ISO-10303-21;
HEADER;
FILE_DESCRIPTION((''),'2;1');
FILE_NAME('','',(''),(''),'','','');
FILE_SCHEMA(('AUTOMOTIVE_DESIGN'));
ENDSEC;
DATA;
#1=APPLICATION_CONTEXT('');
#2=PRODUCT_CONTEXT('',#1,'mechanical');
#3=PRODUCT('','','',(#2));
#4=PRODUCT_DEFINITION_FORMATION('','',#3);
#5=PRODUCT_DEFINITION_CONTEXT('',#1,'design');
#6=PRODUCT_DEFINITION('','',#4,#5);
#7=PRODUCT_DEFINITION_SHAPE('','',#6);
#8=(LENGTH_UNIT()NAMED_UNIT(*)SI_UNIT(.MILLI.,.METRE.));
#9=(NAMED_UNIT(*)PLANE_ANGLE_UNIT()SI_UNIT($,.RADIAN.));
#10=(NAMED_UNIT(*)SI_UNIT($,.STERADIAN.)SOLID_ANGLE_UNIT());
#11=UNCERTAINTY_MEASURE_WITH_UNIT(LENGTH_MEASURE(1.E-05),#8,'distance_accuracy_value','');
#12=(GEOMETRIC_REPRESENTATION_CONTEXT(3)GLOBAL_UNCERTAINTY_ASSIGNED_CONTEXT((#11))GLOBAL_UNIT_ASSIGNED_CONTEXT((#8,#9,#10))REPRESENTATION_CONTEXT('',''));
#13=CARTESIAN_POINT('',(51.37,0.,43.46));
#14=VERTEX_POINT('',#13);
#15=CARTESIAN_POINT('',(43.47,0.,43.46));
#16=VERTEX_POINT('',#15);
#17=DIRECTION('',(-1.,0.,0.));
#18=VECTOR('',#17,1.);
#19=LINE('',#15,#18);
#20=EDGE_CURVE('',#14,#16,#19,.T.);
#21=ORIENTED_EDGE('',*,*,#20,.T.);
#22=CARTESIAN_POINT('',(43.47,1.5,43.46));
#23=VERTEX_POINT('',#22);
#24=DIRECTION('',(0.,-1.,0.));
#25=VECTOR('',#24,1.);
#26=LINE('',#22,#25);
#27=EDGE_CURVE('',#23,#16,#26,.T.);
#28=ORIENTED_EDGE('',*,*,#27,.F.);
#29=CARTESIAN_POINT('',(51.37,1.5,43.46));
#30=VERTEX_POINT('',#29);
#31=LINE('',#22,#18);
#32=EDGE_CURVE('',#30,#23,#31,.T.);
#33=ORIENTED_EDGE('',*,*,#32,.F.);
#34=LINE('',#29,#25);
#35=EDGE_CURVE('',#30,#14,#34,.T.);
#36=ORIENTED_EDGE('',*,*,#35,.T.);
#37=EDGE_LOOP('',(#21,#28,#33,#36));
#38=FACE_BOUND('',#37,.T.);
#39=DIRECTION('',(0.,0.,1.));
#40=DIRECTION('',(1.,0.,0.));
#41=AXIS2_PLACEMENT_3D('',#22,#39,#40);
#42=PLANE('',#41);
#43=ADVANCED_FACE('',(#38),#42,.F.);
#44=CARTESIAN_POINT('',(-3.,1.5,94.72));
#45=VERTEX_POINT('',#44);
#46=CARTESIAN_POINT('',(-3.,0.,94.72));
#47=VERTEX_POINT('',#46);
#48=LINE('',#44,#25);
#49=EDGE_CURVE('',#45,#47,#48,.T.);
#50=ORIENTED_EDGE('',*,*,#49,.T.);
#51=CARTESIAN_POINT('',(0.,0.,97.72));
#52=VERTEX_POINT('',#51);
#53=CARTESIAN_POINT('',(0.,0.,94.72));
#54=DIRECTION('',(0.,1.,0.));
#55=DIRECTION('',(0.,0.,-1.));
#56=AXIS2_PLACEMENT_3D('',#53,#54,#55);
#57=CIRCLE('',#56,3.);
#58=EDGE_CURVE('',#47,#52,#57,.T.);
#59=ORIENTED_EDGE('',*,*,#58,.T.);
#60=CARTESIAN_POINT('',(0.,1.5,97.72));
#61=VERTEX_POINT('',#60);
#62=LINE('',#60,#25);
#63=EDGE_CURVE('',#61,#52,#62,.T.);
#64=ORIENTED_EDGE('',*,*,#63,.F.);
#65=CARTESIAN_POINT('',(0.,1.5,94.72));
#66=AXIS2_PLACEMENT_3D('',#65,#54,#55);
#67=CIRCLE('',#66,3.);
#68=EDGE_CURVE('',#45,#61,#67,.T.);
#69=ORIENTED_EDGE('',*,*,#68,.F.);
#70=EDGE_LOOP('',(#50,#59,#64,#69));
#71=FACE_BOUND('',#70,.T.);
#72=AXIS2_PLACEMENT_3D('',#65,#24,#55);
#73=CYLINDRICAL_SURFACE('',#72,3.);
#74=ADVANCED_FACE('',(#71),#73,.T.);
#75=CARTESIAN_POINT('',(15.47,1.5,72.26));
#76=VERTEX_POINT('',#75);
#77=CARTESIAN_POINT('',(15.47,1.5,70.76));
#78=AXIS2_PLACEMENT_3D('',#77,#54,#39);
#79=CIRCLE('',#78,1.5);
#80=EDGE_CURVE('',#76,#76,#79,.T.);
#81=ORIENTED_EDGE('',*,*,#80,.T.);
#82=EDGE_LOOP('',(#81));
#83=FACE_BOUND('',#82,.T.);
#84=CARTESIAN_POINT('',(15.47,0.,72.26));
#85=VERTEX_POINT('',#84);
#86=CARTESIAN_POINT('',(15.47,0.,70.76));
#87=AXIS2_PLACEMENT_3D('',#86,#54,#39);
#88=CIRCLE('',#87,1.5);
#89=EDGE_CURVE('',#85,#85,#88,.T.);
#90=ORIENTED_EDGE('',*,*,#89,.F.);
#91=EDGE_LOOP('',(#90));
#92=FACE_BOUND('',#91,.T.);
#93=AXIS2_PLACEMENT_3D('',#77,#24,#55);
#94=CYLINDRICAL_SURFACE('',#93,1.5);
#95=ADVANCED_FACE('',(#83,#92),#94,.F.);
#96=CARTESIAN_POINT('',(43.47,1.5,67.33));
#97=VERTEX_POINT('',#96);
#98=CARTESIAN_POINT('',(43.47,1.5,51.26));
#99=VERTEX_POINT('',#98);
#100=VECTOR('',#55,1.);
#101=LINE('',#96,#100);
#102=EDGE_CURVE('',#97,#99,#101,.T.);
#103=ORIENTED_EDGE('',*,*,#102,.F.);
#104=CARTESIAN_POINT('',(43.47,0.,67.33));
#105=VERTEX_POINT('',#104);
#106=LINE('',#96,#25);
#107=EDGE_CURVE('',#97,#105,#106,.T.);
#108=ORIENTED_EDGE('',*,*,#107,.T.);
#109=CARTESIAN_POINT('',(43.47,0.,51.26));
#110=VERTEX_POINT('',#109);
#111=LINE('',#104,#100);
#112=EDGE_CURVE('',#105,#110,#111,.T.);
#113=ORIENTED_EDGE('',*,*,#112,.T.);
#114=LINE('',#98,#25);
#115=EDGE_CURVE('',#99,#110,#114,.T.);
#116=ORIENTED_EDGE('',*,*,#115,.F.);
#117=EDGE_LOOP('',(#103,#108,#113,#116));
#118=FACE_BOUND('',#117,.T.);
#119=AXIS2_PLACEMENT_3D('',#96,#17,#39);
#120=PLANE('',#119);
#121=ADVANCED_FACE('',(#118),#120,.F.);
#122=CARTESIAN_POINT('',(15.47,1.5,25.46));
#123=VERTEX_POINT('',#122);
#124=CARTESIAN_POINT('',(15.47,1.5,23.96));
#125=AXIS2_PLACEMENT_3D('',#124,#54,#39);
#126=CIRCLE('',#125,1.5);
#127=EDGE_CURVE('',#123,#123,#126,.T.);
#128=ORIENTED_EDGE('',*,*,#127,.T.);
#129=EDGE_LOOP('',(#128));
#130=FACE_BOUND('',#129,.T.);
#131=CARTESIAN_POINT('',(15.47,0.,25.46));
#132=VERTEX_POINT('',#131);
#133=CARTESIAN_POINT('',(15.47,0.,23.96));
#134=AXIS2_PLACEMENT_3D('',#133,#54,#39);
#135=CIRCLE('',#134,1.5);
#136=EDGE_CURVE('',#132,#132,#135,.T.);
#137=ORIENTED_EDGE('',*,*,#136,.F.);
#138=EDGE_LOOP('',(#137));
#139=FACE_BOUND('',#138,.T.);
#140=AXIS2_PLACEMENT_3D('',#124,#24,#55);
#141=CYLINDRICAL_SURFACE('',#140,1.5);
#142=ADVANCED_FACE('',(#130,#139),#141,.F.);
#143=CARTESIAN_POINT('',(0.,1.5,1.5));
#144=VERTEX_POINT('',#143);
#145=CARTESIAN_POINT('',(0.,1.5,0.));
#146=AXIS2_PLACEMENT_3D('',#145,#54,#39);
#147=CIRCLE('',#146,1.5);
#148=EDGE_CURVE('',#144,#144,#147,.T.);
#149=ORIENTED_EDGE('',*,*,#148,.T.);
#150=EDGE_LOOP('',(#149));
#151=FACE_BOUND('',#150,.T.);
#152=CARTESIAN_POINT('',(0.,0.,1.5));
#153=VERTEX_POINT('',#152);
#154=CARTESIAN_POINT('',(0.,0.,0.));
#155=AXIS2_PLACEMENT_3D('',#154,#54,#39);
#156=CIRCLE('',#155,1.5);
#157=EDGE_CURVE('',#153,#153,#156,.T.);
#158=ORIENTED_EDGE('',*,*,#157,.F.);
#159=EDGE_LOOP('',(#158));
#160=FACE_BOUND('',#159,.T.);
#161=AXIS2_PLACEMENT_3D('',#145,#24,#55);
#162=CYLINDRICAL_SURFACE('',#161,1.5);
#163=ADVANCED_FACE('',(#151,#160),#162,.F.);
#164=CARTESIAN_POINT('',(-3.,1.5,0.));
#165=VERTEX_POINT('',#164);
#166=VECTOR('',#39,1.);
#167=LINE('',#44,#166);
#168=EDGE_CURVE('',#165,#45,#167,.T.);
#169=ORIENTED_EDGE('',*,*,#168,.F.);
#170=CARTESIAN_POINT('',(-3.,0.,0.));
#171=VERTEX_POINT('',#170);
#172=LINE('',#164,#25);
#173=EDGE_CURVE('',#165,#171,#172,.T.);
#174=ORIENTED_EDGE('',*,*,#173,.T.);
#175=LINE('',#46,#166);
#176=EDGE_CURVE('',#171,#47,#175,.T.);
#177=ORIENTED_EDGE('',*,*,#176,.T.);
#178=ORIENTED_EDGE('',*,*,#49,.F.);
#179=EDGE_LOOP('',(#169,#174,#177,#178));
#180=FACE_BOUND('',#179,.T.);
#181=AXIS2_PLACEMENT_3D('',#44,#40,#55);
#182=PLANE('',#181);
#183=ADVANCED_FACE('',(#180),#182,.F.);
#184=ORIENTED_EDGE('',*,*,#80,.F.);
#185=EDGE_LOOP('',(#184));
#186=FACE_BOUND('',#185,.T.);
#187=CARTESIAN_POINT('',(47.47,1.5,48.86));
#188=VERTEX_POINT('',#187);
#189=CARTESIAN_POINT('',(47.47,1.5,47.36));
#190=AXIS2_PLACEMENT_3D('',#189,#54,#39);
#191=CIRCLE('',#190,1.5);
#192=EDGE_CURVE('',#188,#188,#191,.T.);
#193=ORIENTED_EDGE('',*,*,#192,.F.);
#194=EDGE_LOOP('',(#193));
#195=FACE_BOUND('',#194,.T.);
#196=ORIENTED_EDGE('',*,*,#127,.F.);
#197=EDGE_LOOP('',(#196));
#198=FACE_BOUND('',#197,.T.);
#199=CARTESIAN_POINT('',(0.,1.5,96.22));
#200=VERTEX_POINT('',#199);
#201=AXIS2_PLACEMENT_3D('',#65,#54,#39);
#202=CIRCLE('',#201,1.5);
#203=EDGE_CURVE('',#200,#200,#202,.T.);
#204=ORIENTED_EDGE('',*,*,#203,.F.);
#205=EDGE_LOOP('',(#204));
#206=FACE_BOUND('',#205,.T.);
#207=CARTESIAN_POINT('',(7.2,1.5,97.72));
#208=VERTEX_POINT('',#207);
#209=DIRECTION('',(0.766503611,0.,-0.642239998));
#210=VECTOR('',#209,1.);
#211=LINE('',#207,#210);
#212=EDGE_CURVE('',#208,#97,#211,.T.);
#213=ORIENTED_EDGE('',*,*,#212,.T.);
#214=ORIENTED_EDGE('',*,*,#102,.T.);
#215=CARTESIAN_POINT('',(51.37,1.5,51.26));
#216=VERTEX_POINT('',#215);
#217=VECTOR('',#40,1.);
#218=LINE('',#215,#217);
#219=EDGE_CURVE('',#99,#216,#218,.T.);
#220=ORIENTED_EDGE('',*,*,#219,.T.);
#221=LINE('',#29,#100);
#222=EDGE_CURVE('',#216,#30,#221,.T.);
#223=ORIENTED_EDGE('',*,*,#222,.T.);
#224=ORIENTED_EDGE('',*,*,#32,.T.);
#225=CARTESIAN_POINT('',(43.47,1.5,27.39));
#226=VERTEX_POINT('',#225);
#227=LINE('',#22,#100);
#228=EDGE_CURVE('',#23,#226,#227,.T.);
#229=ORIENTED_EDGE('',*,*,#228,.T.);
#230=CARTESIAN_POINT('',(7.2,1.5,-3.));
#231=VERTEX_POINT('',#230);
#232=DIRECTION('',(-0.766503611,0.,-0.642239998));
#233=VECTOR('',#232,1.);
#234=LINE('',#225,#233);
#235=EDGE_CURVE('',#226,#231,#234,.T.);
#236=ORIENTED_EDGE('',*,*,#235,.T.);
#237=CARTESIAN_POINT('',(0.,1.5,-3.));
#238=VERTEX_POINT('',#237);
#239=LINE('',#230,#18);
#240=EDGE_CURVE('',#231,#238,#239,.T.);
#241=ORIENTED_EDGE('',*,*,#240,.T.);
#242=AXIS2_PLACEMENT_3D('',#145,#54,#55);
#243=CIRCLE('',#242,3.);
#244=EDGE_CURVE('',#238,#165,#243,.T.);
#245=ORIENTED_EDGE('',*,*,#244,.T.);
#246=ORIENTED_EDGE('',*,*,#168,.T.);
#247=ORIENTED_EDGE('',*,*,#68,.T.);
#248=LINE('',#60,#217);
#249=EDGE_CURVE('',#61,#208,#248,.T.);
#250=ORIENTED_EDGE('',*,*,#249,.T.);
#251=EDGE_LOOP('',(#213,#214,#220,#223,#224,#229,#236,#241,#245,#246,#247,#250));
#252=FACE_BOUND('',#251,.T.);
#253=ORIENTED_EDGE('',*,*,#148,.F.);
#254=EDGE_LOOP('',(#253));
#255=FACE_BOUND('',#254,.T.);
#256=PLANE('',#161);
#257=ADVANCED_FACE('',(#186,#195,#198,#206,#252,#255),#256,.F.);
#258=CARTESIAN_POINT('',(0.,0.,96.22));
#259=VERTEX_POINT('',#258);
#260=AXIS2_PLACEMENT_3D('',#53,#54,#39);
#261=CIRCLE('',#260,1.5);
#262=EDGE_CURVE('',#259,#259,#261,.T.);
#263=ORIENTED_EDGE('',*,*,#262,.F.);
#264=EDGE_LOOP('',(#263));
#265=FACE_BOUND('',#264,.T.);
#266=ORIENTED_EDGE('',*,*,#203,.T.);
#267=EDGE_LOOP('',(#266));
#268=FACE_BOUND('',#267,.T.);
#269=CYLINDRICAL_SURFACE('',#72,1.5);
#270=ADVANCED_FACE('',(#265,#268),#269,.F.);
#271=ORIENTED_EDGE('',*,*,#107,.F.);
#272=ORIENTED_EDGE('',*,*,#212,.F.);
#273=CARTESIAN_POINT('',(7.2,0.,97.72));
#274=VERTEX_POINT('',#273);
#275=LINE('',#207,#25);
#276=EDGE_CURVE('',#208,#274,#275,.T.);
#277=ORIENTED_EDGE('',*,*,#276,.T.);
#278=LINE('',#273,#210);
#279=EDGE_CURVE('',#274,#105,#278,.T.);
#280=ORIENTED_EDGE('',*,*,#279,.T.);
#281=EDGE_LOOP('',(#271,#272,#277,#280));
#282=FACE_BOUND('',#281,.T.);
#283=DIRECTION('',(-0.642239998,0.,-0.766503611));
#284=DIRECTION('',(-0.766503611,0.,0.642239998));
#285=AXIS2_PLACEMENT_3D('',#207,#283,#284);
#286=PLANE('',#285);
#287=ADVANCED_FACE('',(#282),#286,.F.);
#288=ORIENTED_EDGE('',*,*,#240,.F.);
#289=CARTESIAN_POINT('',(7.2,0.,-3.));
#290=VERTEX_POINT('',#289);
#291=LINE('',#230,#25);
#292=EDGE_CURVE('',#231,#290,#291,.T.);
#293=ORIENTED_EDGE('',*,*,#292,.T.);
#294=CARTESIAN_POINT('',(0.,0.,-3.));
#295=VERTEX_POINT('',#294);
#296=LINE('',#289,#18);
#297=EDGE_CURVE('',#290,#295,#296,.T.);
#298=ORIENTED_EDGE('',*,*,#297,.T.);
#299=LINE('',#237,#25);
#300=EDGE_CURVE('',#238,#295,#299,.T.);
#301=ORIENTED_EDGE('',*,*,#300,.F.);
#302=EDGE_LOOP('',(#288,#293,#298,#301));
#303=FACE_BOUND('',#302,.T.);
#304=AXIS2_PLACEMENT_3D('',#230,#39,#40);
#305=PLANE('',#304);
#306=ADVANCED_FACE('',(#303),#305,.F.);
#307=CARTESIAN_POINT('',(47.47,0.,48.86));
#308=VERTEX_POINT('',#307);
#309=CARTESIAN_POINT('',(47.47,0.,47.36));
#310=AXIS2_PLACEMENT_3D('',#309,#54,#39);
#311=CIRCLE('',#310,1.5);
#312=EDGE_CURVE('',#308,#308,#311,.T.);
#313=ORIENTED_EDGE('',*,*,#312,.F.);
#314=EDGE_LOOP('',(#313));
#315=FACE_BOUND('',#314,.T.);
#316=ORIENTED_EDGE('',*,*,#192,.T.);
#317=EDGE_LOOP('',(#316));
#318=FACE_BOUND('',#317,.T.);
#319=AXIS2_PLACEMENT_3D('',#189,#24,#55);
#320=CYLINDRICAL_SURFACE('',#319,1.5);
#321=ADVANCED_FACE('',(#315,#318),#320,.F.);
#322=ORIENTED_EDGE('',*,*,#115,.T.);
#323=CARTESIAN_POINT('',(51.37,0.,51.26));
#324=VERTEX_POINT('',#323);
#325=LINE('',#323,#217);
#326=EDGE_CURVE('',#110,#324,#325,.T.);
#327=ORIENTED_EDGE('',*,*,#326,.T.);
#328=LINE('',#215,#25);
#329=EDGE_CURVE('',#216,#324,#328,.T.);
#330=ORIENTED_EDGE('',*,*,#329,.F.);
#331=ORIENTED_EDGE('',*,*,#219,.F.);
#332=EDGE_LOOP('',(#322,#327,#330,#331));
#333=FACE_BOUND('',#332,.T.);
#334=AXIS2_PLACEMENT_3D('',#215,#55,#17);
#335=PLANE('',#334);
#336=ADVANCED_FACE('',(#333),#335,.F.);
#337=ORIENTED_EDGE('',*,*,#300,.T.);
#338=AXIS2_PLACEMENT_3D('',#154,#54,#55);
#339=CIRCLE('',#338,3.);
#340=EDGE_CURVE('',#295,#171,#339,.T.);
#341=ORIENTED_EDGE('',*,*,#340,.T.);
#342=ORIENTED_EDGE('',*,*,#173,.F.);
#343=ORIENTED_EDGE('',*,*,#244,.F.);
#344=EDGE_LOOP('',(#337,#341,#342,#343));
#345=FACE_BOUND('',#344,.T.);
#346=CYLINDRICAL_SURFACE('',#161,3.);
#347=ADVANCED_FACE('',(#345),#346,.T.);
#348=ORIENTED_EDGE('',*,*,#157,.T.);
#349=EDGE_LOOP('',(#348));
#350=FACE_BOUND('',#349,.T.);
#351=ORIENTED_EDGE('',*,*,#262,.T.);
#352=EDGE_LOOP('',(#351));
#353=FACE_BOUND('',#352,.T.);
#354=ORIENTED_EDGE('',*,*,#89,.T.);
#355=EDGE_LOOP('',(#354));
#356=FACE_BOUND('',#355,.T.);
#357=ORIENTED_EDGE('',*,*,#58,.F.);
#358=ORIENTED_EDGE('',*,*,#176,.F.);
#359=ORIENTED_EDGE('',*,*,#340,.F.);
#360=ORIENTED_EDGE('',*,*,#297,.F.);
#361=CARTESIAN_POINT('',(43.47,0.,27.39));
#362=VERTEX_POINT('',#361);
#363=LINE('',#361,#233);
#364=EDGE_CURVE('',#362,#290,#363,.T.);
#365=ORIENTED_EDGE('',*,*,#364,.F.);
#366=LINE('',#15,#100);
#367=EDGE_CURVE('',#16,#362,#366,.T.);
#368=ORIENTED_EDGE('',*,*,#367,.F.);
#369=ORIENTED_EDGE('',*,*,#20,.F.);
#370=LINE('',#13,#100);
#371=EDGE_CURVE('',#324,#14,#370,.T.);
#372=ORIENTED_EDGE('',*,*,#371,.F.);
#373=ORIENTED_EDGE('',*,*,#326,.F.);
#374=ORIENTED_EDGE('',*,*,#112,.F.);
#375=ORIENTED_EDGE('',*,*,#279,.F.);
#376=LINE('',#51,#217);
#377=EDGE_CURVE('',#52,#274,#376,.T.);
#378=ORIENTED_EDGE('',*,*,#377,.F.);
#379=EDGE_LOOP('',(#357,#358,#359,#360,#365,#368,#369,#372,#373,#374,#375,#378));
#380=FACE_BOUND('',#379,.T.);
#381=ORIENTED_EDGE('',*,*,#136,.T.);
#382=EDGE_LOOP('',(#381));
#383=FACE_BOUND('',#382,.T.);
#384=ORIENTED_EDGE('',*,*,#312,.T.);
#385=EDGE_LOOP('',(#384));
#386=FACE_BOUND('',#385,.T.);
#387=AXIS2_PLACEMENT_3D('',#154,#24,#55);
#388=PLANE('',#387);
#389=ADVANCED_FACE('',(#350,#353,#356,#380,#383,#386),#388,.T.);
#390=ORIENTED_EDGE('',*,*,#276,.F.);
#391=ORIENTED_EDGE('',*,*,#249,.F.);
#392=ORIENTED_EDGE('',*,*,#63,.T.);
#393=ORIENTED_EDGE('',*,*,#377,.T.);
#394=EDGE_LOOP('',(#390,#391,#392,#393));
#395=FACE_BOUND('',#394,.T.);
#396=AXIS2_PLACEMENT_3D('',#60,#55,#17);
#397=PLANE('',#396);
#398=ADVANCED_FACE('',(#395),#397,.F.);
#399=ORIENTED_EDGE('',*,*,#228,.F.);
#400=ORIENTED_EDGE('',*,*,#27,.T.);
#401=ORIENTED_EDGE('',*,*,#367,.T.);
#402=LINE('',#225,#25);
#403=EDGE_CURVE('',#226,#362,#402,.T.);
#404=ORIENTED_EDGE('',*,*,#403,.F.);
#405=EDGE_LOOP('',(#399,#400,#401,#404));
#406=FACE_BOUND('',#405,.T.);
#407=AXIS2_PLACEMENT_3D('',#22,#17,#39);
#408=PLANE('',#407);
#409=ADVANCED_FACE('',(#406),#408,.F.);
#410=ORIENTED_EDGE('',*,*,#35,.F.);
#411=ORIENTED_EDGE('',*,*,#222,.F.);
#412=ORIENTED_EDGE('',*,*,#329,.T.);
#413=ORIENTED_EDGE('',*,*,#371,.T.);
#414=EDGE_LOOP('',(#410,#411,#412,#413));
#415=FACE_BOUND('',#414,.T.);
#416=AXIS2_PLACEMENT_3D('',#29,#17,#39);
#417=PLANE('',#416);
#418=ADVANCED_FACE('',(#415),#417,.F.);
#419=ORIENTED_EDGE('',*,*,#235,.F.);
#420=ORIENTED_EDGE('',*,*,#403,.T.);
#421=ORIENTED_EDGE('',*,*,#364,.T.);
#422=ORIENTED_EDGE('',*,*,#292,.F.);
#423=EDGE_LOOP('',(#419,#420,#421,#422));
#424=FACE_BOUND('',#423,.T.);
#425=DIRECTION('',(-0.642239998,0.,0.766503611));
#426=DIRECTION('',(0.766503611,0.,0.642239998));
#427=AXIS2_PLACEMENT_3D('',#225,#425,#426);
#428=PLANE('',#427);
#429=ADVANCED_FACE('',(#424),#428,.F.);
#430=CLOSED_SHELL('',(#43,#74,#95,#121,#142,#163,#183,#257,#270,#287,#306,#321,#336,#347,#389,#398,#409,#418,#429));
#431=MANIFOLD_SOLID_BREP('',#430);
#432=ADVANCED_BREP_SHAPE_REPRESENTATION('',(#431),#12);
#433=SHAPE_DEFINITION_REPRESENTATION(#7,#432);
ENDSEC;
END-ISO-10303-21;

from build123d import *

# Parameters (mm, degrees)
CROQUIS1_R              = 1.5
SALIENTE_EXTRUIR1_DEPTH = 1.5


with BuildPart() as part:
    # Croquis1 → Saliente-Extruir1 (new body)
    with BuildSketch(Plane(origin=(0, 0, 0), x_dir=(1, 0, 0), z_dir=(0, 1, 0))):
        with BuildLine():
            Line((43.47, -43.46), (51.37, -43.46))
            Line((51.37, -43.46), (51.37, -51.26))
            Line((51.37, -51.26), (43.47, -51.26))
            Line((43.47, -51.26), (43.47, -67.33))
            Line((43.47, -67.33), (7.2, -97.72))
            Line((7.2, -97.72), (0, -97.72))
            ThreePointArc((0, -97.72), (-2.121320344, -96.841320344), (-3, -94.72))
            Line((-3, -94.72), (-3, 0))
            ThreePointArc((-3, 0), (-2.121320344, 2.121320344), (0, 3))
            Line((0, 3), (7.2, 3))
            Line((7.2, 3), (43.47, -27.39))
            Line((43.47, -27.39), (43.47, -43.46))
        make_face()
        with Locations(Location((0, 0, 0), (0, 0, 270))):
            Circle(CROQUIS1_R, mode=Mode.SUBTRACT)
        with Locations(Location((0, -94.72, 0), (0, 0, 270))):
            Circle(CROQUIS1_R, mode=Mode.SUBTRACT)
        with Locations(Location((47.47, -47.36, 0), (0, 0, 270))):
            Circle(CROQUIS1_R, mode=Mode.SUBTRACT)
        with Locations(Location((15.47, -23.96, 0), (0, 0, 270))):
            Circle(CROQUIS1_R, mode=Mode.SUBTRACT)
        with Locations(Location((15.47, -70.76, 0), (0, 0, 270))):
            Circle(CROQUIS1_R, mode=Mode.SUBTRACT)
    extrude(amount=SALIENTE_EXTRUIR1_DEPTH)


solid = part.part
